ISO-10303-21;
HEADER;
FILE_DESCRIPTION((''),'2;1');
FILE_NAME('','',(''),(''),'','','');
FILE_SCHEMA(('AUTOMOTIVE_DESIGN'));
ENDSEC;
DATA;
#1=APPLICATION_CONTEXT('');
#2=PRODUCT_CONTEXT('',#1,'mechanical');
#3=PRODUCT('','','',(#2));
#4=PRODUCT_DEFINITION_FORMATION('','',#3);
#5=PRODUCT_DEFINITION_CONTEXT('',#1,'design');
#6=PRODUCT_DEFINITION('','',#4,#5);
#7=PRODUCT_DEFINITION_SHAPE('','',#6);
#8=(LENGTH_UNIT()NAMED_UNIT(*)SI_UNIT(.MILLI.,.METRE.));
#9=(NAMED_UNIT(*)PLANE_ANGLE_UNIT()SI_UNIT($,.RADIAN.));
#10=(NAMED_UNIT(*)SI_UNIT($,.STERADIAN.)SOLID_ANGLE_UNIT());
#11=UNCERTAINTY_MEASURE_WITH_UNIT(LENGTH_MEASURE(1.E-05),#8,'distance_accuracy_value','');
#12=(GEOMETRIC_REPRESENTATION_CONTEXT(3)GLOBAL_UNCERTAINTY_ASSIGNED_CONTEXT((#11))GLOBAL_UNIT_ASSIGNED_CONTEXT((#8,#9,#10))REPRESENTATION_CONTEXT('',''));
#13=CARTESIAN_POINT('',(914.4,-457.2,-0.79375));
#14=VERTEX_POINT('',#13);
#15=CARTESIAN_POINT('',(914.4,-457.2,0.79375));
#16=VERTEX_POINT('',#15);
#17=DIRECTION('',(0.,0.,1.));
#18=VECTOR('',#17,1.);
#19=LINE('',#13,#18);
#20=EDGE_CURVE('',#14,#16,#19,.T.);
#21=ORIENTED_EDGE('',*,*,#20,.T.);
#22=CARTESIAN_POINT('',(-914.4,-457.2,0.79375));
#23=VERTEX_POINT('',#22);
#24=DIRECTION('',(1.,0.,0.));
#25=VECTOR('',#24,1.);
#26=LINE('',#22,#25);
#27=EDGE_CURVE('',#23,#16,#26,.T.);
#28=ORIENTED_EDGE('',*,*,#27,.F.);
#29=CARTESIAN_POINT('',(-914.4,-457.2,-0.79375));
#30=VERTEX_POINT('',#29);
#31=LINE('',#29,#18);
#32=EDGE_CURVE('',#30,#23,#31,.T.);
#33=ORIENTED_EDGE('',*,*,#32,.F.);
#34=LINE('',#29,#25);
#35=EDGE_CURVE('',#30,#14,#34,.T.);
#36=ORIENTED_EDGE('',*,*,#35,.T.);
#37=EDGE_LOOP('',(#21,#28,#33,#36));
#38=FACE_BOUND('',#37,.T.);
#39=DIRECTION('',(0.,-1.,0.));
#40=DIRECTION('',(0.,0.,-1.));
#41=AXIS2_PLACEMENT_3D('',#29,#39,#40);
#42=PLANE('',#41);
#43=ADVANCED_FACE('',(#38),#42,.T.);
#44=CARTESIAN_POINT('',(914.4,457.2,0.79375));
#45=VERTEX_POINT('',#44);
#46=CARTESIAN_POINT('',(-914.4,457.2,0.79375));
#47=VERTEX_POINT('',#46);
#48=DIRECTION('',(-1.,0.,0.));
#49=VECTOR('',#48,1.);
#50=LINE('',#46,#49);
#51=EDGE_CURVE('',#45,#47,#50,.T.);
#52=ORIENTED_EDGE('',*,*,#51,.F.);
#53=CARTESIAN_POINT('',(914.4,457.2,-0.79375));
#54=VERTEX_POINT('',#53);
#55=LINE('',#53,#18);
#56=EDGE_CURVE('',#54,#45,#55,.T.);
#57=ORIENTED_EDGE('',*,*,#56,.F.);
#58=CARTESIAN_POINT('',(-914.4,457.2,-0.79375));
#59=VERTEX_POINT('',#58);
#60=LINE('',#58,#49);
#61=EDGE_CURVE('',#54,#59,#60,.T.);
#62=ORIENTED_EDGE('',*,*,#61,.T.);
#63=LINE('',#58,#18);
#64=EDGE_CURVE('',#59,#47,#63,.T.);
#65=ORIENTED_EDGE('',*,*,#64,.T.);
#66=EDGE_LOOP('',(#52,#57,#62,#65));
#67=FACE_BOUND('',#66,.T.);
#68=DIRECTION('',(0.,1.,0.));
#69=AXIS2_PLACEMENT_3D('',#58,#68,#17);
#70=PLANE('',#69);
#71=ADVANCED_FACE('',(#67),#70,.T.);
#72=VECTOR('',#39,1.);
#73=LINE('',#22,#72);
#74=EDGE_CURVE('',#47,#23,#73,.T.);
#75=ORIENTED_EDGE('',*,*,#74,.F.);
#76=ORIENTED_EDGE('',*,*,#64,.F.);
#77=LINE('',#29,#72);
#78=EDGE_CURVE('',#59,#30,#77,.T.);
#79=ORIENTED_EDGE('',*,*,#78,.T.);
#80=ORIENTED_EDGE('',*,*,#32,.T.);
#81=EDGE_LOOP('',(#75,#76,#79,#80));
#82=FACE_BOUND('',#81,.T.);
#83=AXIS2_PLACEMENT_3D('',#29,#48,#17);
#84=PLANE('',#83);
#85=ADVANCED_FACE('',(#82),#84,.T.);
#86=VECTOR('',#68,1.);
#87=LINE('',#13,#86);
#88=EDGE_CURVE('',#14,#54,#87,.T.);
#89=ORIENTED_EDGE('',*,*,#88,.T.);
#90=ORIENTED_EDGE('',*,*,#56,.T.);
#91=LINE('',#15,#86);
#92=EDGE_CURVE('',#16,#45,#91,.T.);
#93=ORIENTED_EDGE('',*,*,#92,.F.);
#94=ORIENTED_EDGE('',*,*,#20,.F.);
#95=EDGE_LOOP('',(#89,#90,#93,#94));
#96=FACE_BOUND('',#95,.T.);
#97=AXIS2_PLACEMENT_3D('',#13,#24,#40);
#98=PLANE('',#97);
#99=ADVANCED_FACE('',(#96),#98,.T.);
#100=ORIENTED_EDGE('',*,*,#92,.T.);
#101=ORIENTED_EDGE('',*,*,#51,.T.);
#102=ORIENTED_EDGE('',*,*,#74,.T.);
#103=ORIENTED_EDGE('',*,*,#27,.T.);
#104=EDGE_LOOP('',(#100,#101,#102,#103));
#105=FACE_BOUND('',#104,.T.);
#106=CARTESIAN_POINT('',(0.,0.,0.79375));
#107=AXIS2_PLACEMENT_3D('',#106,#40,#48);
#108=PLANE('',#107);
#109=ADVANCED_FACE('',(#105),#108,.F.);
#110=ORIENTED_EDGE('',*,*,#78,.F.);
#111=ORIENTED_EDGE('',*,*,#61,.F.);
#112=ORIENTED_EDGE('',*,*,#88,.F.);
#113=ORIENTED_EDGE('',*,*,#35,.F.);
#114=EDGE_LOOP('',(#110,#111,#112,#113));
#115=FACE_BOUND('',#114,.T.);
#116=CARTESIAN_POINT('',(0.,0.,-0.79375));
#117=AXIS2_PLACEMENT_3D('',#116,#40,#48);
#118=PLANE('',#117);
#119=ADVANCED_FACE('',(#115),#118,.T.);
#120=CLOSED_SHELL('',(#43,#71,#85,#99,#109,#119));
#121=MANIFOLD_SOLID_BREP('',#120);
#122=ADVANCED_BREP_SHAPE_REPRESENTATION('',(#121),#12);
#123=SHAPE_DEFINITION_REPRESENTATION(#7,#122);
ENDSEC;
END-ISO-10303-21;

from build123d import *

# Parameters (mm, degrees)
BOSS_EXTRUDE1_DEPTH      = 0.79375
BOSS_EXTRUDE1_DEPTH_BACK = 0.79375
SKETCH1_W                = 1828.8
SKETCH1_H                = 914.4


with BuildPart() as part:
    # Sketch1 → Boss-Extrude1 (new, two sides: drawn at the far end of the back side and taken through both)
    with BuildSketch(Plane.XY.offset(-BOSS_EXTRUDE1_DEPTH_BACK)):
        Rectangle(SKETCH1_W, SKETCH1_H)
    extrude(amount=BOSS_EXTRUDE1_DEPTH + BOSS_EXTRUDE1_DEPTH_BACK)


solid = part.part
